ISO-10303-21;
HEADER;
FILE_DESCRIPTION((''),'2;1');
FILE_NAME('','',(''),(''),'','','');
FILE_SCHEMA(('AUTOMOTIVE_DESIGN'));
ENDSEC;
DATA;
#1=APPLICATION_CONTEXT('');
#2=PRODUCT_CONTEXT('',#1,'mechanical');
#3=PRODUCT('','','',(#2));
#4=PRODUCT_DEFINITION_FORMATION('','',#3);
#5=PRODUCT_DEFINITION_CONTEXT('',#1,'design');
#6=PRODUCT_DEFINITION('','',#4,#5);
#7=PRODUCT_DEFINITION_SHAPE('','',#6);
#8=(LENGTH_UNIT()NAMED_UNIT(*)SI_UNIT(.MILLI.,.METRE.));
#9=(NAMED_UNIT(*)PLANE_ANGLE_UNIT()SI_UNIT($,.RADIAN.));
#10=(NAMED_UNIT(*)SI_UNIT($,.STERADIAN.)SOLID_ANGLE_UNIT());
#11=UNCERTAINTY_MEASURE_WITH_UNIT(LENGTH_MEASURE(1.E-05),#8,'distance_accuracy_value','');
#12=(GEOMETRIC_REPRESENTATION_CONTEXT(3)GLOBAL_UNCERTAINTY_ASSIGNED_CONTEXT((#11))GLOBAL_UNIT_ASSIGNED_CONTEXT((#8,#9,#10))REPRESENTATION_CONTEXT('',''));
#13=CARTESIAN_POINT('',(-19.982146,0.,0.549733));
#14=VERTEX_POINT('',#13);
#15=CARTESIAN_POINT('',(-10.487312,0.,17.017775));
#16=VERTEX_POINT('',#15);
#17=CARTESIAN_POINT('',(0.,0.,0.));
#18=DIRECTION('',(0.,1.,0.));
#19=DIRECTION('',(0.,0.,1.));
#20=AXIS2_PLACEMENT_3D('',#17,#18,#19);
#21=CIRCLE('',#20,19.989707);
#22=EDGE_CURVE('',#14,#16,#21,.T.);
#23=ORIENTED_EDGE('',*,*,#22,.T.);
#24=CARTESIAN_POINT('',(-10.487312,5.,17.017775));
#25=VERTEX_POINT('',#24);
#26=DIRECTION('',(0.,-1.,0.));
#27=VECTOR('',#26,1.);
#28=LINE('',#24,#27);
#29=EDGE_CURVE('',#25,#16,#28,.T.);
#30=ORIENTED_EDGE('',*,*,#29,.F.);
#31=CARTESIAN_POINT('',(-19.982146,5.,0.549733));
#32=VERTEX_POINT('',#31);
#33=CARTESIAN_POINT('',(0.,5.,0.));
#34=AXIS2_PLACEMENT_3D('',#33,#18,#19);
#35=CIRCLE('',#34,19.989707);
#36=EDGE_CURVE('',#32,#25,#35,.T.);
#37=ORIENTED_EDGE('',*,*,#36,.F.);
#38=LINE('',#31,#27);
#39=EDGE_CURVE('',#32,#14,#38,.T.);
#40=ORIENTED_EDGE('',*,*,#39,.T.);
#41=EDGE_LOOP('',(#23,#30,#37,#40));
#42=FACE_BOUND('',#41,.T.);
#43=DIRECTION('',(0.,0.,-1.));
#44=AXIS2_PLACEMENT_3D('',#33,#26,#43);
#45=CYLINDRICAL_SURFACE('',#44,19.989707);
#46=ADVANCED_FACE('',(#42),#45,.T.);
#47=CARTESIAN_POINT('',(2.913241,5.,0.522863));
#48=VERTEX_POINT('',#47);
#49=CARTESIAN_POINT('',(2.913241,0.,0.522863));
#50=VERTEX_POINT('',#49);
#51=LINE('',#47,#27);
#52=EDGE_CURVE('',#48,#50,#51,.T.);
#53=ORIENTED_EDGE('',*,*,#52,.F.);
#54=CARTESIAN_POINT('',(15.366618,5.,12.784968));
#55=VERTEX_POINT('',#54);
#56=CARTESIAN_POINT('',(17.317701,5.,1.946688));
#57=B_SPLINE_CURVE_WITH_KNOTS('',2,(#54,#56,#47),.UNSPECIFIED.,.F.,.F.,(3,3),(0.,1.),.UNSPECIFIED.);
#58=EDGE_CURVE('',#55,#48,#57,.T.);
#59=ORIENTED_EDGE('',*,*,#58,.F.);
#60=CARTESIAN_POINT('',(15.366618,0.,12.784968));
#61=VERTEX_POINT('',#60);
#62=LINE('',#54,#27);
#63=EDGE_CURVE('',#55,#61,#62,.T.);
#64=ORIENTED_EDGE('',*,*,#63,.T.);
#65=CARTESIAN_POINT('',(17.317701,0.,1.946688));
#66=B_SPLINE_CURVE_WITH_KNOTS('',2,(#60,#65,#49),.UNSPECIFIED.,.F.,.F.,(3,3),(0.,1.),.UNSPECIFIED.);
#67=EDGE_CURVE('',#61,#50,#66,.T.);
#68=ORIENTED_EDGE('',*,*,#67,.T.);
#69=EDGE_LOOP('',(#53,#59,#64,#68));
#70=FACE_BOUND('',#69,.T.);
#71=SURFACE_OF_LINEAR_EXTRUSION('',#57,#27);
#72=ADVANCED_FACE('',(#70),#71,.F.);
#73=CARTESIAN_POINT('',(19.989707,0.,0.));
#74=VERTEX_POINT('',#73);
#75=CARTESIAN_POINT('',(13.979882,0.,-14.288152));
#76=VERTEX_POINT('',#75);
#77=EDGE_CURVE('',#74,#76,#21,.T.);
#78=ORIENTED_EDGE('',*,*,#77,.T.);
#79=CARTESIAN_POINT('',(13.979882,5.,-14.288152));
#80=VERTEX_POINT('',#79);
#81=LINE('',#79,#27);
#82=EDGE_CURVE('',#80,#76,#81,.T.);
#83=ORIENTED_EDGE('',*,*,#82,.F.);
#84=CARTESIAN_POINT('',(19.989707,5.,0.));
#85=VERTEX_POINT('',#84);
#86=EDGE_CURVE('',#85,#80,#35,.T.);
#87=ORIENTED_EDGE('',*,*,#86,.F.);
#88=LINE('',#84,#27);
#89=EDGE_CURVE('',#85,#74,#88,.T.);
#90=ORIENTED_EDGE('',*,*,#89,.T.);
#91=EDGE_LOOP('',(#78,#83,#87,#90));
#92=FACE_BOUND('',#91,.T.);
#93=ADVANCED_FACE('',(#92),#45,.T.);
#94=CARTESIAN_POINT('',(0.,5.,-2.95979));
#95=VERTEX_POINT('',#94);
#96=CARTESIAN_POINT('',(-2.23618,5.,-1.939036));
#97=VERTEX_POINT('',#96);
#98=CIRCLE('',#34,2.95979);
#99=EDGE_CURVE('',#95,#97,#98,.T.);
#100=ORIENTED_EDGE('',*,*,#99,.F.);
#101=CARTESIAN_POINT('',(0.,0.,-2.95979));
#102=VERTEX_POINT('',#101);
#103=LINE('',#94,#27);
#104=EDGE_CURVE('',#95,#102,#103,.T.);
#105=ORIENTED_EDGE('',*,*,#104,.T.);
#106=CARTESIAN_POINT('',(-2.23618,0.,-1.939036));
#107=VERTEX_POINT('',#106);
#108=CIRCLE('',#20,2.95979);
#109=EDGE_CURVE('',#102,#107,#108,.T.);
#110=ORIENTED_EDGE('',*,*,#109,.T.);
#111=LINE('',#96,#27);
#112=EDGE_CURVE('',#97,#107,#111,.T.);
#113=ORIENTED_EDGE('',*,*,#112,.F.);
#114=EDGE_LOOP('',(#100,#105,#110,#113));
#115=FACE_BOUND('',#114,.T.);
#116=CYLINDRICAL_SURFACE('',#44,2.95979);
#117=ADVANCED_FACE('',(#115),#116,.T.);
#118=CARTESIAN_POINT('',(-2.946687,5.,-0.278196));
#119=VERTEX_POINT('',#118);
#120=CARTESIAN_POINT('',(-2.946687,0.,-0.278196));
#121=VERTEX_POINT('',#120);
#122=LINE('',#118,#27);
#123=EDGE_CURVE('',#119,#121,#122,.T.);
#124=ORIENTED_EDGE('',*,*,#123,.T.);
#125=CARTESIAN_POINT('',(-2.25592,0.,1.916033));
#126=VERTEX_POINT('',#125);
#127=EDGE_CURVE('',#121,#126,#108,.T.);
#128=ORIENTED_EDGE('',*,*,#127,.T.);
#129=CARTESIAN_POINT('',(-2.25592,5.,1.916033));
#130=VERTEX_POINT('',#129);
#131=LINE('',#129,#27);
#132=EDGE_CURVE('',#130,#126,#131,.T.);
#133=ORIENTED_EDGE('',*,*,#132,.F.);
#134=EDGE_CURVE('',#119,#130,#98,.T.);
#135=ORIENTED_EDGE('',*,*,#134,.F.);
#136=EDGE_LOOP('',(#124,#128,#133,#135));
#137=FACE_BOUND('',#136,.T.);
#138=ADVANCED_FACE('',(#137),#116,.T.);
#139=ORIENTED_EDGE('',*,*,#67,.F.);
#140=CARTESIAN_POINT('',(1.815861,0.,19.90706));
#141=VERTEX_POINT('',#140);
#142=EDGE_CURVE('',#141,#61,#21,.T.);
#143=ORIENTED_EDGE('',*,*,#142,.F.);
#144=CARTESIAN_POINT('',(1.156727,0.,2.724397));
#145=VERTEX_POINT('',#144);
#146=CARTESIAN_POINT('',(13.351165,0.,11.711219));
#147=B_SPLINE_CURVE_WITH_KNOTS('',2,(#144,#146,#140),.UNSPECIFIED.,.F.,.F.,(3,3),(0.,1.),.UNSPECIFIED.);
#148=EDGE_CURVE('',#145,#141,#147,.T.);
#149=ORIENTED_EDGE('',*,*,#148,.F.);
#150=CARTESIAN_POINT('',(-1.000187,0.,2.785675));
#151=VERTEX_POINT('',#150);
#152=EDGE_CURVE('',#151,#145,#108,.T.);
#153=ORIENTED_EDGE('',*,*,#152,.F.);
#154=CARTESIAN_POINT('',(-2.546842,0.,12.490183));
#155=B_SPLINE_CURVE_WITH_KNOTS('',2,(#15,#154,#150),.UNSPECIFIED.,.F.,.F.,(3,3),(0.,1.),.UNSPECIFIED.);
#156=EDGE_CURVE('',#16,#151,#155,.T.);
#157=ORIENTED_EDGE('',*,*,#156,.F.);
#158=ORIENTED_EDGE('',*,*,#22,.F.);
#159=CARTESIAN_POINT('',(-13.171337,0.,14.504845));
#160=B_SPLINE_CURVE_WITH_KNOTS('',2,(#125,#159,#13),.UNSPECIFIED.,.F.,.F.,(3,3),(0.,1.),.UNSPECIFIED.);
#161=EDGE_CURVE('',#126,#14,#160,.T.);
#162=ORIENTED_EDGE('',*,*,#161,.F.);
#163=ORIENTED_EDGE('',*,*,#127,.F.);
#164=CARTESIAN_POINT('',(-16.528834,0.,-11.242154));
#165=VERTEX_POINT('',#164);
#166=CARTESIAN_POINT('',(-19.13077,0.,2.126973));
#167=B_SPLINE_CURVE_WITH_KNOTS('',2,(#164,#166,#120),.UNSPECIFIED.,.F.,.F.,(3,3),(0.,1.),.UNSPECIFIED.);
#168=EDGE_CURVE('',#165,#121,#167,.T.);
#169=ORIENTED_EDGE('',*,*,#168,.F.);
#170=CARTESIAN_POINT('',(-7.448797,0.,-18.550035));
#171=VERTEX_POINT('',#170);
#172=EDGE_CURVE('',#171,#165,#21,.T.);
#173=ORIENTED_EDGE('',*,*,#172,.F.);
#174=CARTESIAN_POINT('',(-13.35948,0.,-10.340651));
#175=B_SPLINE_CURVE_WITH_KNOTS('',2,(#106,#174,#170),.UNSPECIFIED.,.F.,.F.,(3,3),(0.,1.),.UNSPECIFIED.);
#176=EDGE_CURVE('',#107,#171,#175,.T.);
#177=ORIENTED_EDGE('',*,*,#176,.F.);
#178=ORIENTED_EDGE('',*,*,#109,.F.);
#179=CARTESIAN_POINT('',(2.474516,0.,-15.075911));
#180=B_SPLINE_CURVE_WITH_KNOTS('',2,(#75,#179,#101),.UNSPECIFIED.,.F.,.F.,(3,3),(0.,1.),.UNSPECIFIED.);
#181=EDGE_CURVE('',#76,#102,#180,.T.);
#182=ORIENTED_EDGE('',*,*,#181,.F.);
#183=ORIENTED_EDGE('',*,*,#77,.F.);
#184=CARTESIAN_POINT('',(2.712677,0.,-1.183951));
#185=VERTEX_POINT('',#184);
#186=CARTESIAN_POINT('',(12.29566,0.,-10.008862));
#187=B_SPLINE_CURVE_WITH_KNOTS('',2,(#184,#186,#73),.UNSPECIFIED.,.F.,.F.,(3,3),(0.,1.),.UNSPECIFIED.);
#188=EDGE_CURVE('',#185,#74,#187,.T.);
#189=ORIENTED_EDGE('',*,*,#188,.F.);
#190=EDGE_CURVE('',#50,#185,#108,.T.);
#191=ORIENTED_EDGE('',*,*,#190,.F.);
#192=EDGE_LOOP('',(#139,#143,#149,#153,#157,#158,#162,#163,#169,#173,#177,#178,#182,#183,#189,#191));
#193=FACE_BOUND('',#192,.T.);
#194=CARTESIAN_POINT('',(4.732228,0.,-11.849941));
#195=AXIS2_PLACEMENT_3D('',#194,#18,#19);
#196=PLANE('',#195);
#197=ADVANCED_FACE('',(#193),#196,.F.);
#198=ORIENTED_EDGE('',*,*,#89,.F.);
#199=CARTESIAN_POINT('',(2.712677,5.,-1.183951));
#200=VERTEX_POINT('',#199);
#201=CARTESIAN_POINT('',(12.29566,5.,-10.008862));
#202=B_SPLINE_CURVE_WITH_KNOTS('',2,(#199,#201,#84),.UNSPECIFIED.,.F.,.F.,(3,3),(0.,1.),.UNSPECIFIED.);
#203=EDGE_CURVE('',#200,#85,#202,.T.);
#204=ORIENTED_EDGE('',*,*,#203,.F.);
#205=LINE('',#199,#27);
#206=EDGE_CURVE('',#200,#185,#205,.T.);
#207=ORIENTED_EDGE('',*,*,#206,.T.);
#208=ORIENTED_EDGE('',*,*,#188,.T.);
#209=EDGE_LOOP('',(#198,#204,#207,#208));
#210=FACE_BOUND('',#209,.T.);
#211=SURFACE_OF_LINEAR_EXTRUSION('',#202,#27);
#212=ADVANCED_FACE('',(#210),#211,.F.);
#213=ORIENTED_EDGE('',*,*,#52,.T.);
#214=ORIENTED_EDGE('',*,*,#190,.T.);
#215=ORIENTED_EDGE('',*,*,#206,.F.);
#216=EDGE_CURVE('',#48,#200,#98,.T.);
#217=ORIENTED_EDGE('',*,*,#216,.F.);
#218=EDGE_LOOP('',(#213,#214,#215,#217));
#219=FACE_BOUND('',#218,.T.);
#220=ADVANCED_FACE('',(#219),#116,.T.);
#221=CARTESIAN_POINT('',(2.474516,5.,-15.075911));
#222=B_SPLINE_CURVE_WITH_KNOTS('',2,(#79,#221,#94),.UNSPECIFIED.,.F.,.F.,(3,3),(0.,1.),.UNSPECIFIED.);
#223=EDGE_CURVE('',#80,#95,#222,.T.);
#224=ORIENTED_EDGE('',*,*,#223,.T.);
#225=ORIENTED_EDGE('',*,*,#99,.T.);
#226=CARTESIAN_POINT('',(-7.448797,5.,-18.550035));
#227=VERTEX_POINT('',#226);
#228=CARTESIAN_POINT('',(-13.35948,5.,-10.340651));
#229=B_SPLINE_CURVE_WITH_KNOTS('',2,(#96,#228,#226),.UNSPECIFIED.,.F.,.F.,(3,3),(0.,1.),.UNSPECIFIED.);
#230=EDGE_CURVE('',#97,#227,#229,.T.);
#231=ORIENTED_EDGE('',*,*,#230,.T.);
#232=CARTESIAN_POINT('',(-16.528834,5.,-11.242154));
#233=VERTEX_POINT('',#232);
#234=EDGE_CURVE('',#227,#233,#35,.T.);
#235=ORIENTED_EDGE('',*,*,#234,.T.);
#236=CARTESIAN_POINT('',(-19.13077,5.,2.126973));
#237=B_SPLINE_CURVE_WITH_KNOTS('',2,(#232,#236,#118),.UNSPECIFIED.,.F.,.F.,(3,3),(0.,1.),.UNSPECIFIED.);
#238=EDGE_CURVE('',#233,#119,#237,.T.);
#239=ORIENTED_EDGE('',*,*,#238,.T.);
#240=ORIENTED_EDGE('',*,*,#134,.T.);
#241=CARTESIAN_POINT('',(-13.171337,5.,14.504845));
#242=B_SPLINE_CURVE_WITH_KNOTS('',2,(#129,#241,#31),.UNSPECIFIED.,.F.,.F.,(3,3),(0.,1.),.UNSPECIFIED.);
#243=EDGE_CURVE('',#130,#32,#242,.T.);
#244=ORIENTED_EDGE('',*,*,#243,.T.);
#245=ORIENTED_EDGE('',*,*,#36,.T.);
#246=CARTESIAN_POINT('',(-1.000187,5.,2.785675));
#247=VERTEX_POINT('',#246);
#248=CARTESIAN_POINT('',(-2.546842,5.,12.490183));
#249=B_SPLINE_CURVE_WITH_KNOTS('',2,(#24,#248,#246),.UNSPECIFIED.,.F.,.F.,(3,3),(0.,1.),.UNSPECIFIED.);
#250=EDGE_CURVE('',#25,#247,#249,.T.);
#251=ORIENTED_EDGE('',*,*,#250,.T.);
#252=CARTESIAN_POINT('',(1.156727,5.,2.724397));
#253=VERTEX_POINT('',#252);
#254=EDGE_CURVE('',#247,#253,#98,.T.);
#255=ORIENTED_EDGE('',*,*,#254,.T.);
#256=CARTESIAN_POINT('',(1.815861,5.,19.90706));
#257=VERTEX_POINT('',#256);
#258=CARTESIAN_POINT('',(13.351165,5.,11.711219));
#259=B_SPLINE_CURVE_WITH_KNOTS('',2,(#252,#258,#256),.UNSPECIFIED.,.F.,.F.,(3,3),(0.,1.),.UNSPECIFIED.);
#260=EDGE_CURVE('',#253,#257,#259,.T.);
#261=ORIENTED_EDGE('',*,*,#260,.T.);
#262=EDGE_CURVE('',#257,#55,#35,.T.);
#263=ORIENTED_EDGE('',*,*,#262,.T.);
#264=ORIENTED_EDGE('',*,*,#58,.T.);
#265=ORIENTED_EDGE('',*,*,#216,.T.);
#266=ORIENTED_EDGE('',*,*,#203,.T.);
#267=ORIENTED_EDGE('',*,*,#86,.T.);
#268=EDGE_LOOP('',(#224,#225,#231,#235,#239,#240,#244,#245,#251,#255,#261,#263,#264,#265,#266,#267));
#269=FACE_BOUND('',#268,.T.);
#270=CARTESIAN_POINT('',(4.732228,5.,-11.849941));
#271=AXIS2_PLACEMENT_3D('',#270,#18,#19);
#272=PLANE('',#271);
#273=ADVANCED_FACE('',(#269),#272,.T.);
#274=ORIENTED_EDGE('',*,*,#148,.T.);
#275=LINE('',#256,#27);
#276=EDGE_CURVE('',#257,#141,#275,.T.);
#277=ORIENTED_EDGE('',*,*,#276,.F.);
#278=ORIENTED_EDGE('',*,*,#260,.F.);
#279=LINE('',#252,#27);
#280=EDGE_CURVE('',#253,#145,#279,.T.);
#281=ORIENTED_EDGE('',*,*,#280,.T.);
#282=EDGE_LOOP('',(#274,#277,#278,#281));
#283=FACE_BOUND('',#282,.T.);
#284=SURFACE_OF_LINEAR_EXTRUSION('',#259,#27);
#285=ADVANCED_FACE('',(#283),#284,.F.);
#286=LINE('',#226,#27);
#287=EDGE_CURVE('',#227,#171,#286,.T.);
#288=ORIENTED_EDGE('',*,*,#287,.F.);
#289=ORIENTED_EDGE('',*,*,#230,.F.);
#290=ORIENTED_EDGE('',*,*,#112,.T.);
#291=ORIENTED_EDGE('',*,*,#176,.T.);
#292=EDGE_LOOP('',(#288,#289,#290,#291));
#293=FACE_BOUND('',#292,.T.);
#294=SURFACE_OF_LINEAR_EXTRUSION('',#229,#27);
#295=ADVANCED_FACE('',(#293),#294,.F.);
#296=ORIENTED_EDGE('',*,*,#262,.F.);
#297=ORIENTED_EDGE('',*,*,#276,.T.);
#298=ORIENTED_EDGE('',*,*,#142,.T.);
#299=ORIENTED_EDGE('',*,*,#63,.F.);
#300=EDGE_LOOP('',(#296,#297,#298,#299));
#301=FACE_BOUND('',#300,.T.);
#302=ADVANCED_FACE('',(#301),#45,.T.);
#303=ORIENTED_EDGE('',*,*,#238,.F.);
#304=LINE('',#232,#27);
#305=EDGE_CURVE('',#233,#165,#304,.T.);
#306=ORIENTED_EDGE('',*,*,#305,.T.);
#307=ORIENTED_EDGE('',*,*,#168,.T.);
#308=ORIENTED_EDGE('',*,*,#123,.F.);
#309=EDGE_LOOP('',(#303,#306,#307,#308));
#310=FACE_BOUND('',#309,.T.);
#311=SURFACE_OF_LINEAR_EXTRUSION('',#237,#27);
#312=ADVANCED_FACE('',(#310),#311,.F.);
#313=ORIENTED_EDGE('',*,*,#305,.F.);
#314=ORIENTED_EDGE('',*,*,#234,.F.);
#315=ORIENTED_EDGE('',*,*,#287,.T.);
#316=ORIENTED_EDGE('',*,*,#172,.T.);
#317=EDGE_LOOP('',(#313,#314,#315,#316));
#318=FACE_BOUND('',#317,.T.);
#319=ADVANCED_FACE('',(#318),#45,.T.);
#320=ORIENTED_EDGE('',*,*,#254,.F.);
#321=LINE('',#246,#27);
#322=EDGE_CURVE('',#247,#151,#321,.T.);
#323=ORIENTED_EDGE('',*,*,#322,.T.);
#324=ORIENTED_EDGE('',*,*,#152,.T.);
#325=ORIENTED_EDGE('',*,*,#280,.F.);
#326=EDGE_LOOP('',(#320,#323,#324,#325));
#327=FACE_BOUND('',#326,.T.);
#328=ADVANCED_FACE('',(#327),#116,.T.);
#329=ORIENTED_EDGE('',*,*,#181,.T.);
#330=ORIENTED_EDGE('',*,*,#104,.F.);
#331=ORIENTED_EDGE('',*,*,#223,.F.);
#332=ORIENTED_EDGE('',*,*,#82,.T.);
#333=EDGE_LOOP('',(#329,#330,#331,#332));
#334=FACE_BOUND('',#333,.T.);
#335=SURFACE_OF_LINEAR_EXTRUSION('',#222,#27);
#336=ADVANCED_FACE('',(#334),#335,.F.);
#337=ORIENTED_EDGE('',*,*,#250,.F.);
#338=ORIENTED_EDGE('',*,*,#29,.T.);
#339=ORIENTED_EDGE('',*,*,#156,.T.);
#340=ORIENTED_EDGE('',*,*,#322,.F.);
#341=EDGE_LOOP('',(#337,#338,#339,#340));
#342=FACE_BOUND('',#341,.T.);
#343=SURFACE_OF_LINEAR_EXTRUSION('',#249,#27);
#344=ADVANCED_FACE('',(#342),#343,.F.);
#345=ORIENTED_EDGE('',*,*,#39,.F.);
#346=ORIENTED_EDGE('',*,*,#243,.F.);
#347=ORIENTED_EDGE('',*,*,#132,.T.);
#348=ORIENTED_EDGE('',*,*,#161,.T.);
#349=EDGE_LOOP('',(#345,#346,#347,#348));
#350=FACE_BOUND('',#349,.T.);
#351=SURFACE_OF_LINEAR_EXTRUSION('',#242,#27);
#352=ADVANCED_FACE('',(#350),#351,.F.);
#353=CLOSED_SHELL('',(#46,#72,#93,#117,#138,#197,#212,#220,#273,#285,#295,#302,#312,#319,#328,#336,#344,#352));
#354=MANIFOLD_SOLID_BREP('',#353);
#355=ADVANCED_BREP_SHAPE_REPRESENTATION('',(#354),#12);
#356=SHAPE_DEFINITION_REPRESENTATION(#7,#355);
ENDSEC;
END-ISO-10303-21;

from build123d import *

# Parameters (mm, degrees)
BOSS_EXTRUDE2_DEPTH = 5


with BuildPart() as part:
    # Sketch3 → Boss-Extrude2 (new body)
    with BuildSketch(Plane(origin=(0, 0, 0), x_dir=(1, 0, 0), z_dir=(0, 1, 0))):
        with BuildLine():
            ThreePointArc((-2.946687169, 0.278195868), (-2.823196953, -0.888772849), (-2.255920315, -1.916032813))
            add(Edge.make_bspline(
                [(-2.255920315, -1.916032813), (-13.171337356, -14.504845087), (-19.982146303, -0.549733438)],
                knots=[0, 0, 0, 1, 1, 1], degree=2))
            ThreePointArc((-19.982146303, -0.549733438), (-17.317507753, -9.984603294), (-10.487312447, -17.017774689))
            add(Edge.make_bspline(
                [(-1.000187104, -2.785674778), (-2.546841566, -12.490182628), (-10.487312447, -17.017774689)],
                knots=[0, 0, 0, 1, 1, 1], degree=2))
            ThreePointArc((-1.000187104, -2.785674778), (0.084052871, -2.958596513), (1.156726663, -2.724397481))
            add(Edge.make_bspline(
                [(1.156726663, -2.724397481), (13.351165317, -11.711219241), (1.815860807, -19.907059734)],
                knots=[0, 0, 0, 1, 1, 1], degree=2))
            ThreePointArc((1.815860807, -19.907059734), (9.30002387, -17.694573568), (15.366618382, -12.784968409))
            add(Edge.make_bspline(
                [(2.913240883, -0.522863047), (17.317700847, -1.946688078), (15.366618382, -12.784968409)],
                knots=[0, 0, 0, 1, 1, 1], degree=2))
            ThreePointArc((2.913240883, -0.522863047), (2.939564994, 0.345421275), (2.712677202, 1.183951269))
            add(Edge.make_bspline(
                [(2.712677202, 1.183951269), (12.295659798, 10.008861874), (19.989706794, 0)],
                knots=[0, 0, 0, 1, 1, 1], degree=2))
            ThreePointArc((19.989706794, 0), (18.426097238, 7.750310851), (13.979881947, 14.288151681))
            add(Edge.make_bspline(
                [(0, 2.959790231), (2.474515592, 15.075911373), (13.979881947, 14.288151681)],
                knots=[0, 0, 0, 1, 1, 1], degree=2))
            ThreePointArc((0, 2.959790231), (-1.229068634, 2.692535702), (-2.236179538, 1.939035658))
            add(Edge.make_bspline(
                [(-2.236179538, 1.939035658), (-13.359480088, 10.340651394), (-7.448796697, 18.550035189)],
                knots=[0, 0, 0, 1, 1, 1], degree=2))
            ThreePointArc((-7.448796697, 18.550035189), (-12.533274778, 15.572584919), (-16.528834056, 11.242153818))
            add(Edge.make_bspline(
                [(-2.946687169, 0.278195868), (-19.130769908, -2.126973155), (-16.528834056, 11.242153818)],
                knots=[0, 0, 0, 1, 1, 1], degree=2))
        make_face()
    extrude(amount=BOSS_EXTRUDE2_DEPTH)


solid = part.part
